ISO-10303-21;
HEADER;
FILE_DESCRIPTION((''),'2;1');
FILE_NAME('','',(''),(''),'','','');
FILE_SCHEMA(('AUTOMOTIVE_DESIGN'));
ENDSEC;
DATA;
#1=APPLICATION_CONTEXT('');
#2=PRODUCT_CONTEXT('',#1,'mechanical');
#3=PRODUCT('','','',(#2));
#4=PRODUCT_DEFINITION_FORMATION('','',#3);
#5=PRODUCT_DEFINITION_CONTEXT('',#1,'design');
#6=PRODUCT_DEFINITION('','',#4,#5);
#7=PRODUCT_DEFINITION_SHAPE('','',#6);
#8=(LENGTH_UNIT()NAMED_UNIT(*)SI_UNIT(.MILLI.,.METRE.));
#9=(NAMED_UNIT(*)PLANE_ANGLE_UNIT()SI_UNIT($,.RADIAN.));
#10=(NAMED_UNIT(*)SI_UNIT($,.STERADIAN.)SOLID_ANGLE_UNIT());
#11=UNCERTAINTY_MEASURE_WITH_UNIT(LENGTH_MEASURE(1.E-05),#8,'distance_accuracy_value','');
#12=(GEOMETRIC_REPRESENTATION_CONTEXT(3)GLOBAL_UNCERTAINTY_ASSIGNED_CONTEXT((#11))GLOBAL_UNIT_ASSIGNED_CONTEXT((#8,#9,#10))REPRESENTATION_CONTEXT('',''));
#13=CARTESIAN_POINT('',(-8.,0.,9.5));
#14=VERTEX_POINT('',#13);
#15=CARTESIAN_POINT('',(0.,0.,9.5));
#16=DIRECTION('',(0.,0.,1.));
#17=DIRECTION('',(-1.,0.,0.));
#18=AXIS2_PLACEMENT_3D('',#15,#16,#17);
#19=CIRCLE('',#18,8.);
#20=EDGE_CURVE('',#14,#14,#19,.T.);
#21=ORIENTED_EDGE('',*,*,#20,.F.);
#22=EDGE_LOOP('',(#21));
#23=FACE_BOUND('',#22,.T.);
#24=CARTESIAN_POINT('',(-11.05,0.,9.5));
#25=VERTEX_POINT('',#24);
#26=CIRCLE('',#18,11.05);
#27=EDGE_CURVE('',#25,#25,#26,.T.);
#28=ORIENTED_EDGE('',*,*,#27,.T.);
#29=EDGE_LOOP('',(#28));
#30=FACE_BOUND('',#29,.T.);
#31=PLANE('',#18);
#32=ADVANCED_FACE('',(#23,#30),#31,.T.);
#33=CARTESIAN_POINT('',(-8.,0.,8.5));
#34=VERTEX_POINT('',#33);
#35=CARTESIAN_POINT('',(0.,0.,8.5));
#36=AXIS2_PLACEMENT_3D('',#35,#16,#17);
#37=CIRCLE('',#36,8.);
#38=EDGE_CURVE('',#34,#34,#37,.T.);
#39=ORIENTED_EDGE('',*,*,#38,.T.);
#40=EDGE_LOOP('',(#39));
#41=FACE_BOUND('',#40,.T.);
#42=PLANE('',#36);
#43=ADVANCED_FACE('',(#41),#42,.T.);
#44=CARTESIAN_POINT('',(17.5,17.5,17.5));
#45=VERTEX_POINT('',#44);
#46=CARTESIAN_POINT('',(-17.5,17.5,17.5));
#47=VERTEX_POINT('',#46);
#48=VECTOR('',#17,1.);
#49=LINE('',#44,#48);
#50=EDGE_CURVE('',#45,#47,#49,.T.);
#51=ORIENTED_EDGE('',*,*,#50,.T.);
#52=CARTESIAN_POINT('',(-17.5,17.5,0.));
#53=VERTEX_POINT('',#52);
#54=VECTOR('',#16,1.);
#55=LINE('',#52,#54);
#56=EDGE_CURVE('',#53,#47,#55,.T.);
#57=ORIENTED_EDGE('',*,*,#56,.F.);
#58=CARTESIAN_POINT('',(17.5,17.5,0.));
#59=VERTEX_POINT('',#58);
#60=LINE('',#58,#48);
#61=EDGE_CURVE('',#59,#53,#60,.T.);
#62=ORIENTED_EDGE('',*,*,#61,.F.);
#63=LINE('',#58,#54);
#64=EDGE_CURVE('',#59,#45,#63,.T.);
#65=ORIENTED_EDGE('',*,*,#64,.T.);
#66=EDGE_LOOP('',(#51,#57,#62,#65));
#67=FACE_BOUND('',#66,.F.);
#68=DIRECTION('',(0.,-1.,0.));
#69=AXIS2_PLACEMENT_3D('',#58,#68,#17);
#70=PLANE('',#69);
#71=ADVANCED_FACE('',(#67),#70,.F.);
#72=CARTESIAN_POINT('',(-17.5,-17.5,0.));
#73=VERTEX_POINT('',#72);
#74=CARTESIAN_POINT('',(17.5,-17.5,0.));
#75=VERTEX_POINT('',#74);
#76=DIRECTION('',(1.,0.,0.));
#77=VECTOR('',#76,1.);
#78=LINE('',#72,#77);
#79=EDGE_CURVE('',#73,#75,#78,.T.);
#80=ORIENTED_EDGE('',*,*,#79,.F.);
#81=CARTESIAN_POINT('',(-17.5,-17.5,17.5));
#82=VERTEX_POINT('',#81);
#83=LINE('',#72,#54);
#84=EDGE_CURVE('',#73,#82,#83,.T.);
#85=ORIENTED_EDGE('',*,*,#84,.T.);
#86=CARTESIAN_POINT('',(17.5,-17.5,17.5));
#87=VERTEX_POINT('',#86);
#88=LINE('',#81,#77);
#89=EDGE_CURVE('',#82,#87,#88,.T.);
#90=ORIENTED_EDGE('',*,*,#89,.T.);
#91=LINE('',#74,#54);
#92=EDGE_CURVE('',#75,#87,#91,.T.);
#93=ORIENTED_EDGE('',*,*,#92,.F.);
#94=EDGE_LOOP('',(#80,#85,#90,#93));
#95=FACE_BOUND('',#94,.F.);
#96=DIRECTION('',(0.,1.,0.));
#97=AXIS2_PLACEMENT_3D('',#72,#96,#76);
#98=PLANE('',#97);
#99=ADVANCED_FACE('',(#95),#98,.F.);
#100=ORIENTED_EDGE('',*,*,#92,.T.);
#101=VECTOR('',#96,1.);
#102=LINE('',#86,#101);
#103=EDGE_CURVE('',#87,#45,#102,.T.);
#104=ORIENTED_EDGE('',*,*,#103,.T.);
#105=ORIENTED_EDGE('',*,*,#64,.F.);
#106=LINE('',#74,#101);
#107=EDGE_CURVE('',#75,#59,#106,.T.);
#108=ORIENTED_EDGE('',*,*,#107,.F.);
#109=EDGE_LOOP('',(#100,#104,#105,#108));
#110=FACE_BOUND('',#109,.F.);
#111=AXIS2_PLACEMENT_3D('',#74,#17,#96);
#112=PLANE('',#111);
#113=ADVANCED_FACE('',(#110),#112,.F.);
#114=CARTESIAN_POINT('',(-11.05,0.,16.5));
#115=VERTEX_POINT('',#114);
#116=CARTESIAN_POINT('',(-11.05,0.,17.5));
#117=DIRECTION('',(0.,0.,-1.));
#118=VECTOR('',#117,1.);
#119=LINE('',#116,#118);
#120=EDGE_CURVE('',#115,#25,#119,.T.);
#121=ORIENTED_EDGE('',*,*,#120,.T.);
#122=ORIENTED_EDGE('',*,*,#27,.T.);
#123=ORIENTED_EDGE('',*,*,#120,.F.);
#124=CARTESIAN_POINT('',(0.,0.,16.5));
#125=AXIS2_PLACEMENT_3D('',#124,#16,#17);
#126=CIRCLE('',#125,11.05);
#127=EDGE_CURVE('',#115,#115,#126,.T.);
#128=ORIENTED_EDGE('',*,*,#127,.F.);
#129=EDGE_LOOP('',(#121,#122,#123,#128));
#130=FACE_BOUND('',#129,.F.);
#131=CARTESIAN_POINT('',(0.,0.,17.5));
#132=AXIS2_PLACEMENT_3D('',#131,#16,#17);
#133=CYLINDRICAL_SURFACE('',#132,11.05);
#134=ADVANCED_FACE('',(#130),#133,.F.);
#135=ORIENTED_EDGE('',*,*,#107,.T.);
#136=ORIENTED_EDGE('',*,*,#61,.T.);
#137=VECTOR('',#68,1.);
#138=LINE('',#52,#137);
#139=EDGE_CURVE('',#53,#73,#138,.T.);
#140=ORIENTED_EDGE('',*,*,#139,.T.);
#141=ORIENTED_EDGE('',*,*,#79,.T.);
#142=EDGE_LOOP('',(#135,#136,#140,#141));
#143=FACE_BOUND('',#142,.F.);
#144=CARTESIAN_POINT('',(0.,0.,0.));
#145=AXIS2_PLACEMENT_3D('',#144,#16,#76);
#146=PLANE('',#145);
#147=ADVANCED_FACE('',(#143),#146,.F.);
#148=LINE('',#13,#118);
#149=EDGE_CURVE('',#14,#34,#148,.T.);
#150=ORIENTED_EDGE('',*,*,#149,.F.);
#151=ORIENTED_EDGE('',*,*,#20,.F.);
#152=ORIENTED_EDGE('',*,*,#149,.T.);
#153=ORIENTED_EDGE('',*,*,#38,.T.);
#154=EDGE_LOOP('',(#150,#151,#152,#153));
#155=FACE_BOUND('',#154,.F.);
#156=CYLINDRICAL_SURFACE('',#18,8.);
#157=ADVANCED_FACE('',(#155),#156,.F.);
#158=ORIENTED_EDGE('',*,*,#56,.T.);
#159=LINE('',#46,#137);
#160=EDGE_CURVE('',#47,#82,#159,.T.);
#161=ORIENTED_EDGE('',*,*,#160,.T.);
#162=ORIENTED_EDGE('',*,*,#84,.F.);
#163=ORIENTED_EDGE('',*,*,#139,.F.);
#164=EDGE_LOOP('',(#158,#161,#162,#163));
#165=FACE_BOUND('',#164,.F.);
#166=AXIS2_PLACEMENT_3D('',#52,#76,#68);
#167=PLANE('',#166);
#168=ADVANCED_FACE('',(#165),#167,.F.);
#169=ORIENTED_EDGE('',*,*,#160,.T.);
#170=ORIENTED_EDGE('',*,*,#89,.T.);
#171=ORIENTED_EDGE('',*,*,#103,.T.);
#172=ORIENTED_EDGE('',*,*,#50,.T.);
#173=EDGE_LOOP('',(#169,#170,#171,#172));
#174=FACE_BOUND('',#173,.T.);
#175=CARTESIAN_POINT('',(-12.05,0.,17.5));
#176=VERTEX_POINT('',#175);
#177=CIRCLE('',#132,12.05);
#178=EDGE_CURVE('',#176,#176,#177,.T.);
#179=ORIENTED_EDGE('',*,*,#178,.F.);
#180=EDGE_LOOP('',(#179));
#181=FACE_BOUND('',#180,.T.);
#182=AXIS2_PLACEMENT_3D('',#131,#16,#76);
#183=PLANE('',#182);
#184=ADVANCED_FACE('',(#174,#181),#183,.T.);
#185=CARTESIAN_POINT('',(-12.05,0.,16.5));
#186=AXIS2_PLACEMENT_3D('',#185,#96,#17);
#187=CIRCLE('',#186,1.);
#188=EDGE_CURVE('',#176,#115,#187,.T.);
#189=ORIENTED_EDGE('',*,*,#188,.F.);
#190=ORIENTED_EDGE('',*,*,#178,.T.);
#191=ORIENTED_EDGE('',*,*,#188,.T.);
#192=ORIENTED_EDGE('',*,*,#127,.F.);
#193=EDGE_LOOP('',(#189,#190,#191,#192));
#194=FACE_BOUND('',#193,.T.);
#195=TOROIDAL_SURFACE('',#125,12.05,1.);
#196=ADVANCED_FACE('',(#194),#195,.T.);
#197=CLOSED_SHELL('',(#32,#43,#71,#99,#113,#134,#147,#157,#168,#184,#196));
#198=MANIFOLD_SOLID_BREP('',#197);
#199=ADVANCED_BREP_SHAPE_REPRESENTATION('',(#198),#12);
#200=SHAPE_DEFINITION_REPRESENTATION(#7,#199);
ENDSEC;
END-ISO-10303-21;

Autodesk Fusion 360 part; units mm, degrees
sketch "Sketch2" plane through (0, 0, 0) normal (0, 0, 1) x (1, 0, 0)
  line L0 (17.5, 17.5) -> (-17.5, 17.5)
  line L1 (-17.5, 17.5) -> (-17.5, -17.5)
  line L2 (-17.5, -17.5) -> (17.5, -17.5)
  line L3 (17.5, -17.5) -> (17.5, 17.5)
  line L4 (17.5, 17.5) -> (-17.5, -17.5) construction
  line L5 (-17.5, 17.5) -> (17.5, -17.5) construction
  dimension "d10" = 35
  dimension "d11" = 35
extrude "Extrude2" add sketch "Sketch2" along normal blind 17.5
sketch "Sketch3" plane through (0, 0, 17.5) normal (0, 0, 1) x (-1, 0, 0)
  line L0 (-17.5, 17.5) -> (-17.5, -17.5)
  line L1 (-17.5, -17.5) -> (17.5, -17.5)
  line L2 (17.5, -17.5) -> (17.5, 17.5)
  line L3 (17.5, 17.5) -> (-17.5, 17.5)
  circle A0 centre (0, 0) radius 11.05
  dimension "d14" = 22.1
extrude "Extrude3" cut sketch "Sketch3" against normal blind 8 contours A0
sketch "Sketch4" plane through (0, 0, 9.5) normal (0, 0, 1) x (-1, 0, 0)
  circle A0 centre (0, 0) radius 11.05
  circle A1 centre (0, 0) radius 8
  dimension "d20" = 16
extrude "Extrude4" cut sketch "Sketch4" against normal blind 1 contours A1
sketch "Sketch5" plane through (0, 0, 8.5) normal (0, 0, 1) x (-1, 0, 0)
  circle A0 centre (0, 0) radius 8
  circle A1 centre (0, 0) radius 5
  dimension "d23" = 10
extrude "Extrude5" cut sketch "Sketch5" along normal through all contours A1
fillet "Fillet1" radius 1 1 edges at (10.3022, -3.9959, 17.5)
equation "TOL = 0.1 mm"
equation "BlockSize = 35 mm"
equation "d10 = BlockSize"
equation "d11 = BlockSize"
equation "d12 = BlockSize / 2"
equation "d14 = BearingOuter + TOL"
equation "d15 = -( BearingDepth + 1 mm )"
equation "BearingOuter = 22 mm"
equation "BearingInner = 8 mm"
equation "BearingWall = 2 mm"
equation "d20 = BearingOuter - BearingWall * 3"
equation "d23 = BearingInner + 2 mm"
equation "BearingDepth = 7 mm"
